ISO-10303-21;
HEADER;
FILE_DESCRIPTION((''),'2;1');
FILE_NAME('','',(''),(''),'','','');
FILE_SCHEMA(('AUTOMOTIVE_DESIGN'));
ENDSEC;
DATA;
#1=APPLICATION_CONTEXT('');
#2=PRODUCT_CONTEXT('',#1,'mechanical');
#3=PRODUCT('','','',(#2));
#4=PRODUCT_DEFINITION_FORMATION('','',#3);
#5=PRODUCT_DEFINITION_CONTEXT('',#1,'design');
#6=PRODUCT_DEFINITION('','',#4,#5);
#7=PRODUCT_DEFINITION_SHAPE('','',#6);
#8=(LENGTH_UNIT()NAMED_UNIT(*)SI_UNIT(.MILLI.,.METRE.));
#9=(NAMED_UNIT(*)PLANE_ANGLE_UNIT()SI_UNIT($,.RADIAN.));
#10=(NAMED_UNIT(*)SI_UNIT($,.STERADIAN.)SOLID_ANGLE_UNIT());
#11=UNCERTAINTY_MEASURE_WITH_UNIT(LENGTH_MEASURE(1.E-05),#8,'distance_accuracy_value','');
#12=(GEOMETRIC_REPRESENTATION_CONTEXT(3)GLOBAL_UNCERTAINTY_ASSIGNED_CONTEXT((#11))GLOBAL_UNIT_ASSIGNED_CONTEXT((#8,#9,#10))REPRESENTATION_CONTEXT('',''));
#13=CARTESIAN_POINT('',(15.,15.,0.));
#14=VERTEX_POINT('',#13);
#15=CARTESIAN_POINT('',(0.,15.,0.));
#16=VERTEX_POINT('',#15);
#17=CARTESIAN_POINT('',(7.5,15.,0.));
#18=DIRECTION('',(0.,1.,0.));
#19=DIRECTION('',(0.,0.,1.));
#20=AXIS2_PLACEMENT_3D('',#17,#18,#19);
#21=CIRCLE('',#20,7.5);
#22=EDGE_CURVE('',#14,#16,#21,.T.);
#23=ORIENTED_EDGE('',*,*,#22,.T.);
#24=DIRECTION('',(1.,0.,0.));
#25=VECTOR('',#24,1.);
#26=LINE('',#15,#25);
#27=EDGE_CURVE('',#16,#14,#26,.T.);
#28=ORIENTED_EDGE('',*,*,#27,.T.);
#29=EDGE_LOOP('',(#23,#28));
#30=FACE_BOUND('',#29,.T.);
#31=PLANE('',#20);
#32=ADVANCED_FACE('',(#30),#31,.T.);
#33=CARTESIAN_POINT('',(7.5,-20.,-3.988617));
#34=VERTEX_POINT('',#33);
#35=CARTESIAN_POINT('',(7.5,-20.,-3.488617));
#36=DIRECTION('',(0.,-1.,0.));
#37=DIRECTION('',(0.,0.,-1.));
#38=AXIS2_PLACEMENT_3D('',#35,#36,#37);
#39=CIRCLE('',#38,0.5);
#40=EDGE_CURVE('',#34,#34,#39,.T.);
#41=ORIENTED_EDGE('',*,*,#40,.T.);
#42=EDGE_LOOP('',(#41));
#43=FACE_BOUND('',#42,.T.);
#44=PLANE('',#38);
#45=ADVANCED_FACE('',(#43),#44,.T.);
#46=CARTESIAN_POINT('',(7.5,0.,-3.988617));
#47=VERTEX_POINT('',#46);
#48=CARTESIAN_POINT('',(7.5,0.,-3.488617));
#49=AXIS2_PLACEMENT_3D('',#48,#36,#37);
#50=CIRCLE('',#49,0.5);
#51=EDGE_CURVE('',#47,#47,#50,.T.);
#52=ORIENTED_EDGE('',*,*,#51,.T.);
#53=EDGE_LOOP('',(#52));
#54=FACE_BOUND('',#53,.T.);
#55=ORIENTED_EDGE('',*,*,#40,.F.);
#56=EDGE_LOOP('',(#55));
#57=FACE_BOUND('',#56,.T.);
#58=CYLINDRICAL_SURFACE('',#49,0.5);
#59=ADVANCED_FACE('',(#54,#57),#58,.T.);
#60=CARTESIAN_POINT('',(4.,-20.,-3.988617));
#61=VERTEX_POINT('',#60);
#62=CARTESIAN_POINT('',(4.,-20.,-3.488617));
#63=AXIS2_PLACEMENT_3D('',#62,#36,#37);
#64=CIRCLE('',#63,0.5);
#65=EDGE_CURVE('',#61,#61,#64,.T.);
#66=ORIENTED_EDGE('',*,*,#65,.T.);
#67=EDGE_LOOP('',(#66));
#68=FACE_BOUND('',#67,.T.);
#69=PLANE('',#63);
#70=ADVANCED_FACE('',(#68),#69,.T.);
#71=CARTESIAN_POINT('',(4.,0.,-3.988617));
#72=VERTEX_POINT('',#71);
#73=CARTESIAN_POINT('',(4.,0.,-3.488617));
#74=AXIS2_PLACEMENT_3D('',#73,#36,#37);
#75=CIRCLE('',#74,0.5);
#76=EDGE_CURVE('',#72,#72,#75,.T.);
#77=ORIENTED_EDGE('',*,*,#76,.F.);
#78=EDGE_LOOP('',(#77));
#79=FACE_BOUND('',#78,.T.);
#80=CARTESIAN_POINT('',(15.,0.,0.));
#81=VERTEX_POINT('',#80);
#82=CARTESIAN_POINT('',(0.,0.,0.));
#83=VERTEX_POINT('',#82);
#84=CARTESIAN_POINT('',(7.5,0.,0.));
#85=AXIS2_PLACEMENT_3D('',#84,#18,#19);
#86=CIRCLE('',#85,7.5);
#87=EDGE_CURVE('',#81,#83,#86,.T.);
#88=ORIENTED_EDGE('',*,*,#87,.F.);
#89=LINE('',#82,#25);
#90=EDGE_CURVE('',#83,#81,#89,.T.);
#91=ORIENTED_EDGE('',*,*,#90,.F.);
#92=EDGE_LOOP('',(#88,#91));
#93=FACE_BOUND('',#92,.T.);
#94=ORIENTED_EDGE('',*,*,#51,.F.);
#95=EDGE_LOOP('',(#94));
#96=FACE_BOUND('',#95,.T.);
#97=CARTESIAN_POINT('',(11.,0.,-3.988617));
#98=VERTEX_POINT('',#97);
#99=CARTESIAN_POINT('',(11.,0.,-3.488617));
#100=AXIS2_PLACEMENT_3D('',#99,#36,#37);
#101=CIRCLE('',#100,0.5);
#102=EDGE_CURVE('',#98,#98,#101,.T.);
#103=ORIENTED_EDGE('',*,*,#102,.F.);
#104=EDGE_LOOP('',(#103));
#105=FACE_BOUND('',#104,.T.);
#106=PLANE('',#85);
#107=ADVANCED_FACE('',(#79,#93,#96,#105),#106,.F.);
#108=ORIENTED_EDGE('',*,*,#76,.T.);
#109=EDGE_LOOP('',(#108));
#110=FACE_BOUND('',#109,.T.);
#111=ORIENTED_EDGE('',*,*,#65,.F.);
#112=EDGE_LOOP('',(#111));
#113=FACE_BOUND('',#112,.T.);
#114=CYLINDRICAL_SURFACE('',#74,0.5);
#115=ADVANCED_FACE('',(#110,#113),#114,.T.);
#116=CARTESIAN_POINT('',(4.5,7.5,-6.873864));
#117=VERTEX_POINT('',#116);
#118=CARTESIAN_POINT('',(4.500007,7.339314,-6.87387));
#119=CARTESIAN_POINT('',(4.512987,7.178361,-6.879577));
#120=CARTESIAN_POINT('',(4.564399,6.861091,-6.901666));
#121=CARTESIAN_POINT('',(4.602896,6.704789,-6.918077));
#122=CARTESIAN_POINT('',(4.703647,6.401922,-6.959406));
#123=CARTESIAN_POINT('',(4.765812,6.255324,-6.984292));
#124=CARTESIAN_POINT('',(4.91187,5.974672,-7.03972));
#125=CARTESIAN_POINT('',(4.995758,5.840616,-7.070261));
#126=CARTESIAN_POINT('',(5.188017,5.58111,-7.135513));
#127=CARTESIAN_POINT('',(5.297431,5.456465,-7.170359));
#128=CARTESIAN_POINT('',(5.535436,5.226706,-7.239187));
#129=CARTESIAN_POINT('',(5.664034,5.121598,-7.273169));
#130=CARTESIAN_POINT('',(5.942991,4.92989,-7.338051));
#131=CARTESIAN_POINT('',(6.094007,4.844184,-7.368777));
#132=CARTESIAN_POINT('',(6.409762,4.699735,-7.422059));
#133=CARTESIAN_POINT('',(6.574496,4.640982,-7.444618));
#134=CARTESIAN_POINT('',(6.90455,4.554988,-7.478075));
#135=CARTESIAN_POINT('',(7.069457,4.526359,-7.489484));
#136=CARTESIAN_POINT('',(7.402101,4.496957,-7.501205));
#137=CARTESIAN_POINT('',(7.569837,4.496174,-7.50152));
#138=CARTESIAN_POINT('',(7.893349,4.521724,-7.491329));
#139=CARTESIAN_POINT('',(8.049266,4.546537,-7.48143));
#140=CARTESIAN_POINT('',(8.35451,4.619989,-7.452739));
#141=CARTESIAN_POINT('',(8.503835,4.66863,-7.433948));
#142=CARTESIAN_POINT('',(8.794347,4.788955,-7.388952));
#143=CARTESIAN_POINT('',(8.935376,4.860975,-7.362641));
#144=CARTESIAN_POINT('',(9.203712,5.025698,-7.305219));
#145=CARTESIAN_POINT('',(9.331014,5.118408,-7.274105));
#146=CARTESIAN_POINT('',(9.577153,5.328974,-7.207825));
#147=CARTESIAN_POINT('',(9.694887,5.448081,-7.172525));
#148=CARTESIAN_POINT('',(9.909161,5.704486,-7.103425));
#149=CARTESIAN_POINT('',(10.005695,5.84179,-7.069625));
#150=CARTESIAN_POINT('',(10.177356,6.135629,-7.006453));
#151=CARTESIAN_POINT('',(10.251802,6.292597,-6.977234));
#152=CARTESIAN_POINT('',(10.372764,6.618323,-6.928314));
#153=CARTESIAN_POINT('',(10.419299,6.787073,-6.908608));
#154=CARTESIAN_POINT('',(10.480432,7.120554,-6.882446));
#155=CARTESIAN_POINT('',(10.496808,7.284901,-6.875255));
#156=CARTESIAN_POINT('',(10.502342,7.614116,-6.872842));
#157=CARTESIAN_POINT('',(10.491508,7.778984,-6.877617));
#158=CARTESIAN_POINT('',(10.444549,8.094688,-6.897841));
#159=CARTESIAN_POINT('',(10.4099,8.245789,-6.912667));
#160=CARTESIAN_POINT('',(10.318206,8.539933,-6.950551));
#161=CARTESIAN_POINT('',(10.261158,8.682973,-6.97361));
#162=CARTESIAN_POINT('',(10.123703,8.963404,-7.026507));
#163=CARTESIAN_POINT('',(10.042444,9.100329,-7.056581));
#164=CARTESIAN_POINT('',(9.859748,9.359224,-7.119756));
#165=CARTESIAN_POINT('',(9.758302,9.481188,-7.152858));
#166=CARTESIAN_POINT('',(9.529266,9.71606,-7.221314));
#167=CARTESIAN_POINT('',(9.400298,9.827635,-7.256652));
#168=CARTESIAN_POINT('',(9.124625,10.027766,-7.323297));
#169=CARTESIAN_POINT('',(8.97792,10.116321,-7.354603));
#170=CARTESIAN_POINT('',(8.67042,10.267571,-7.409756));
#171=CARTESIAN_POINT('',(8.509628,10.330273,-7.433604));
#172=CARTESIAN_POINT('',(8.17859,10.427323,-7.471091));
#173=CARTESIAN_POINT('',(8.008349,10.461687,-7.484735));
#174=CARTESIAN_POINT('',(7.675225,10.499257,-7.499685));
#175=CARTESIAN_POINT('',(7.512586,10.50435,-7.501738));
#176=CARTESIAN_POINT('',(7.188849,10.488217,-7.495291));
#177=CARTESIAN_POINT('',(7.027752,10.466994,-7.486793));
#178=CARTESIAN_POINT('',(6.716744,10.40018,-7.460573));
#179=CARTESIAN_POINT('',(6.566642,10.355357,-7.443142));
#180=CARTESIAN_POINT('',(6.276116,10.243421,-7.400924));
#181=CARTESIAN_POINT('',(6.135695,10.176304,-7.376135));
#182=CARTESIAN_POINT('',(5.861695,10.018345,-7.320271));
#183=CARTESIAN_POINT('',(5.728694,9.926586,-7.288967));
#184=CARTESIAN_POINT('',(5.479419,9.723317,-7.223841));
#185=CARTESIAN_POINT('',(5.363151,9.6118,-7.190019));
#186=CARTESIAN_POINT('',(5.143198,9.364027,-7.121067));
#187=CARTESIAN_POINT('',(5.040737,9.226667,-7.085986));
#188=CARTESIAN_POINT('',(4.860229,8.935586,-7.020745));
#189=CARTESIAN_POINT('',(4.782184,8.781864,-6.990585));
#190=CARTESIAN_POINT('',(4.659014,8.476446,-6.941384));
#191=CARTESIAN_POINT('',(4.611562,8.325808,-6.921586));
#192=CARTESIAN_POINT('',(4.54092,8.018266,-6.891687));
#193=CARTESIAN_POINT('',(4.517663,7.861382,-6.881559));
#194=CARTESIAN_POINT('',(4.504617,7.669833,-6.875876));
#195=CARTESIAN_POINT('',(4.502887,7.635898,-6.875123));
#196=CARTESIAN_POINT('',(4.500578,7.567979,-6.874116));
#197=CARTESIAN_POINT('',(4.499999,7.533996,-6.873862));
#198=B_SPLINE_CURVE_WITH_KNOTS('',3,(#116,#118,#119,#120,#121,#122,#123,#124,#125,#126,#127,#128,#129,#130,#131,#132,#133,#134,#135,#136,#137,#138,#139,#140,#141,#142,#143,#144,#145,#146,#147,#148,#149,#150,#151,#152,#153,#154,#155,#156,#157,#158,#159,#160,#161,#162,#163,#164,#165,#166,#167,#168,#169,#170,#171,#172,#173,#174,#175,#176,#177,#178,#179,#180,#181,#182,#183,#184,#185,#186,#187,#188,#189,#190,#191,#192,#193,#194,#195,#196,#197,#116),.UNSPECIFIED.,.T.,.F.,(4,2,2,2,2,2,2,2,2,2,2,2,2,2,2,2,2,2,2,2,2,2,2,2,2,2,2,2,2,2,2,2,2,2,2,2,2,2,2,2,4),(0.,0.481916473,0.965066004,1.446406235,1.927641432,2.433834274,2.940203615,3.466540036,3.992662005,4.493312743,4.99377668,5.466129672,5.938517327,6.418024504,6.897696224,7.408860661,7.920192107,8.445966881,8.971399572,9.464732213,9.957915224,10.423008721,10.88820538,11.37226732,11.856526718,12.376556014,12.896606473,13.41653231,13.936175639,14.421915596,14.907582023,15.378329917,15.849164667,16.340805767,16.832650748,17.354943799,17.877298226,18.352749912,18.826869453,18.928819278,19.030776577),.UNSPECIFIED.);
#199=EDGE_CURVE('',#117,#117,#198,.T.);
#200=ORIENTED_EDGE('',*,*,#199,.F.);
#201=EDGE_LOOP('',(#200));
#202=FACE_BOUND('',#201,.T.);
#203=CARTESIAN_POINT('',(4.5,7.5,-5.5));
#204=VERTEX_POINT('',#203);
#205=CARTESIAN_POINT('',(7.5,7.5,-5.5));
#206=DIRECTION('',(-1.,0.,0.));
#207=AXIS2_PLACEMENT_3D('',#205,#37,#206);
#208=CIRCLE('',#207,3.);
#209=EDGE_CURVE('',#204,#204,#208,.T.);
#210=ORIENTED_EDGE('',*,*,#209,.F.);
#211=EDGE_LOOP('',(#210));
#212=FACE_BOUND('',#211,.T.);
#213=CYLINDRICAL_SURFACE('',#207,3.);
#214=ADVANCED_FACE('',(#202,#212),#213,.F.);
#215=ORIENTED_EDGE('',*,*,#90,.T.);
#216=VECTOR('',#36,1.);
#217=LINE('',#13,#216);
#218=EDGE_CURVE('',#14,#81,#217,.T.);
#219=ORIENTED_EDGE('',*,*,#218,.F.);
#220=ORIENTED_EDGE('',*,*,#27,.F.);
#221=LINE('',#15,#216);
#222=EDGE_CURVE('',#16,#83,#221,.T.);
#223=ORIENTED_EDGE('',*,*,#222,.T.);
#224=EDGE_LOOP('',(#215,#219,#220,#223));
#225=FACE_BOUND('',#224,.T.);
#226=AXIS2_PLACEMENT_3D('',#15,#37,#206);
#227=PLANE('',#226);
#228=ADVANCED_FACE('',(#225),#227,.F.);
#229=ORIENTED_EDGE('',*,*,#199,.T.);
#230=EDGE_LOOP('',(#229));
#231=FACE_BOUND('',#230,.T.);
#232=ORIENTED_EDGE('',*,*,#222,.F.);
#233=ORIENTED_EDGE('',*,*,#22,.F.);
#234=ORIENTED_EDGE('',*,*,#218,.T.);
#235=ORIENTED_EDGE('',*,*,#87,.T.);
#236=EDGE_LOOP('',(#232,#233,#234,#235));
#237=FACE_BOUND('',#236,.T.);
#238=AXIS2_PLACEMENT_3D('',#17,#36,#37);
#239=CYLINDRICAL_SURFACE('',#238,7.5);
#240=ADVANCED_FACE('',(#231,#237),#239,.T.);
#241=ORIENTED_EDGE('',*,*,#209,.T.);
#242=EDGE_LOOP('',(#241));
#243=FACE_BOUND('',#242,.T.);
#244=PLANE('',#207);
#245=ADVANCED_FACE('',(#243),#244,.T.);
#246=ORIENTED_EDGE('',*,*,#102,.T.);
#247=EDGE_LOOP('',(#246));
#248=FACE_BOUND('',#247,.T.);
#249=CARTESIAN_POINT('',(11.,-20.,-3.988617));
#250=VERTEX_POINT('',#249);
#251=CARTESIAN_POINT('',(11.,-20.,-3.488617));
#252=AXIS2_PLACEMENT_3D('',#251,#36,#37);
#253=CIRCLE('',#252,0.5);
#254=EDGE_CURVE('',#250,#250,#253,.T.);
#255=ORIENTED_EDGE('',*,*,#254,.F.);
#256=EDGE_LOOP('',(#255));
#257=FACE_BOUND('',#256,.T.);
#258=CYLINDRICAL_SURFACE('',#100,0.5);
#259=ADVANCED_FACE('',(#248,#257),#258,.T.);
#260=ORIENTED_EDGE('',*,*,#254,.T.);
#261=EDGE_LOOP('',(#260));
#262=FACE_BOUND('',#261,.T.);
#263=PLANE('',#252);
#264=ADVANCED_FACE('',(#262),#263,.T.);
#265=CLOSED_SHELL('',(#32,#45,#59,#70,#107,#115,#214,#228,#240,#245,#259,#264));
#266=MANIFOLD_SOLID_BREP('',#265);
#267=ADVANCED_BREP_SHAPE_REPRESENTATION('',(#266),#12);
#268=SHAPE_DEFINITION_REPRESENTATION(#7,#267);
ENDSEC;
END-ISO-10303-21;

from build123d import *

# Parameters (mm, degrees)
Y_KSEKLIK_EKSTR_ZYON1_DEPTH = 15
IZIM4_R                     = 3
KES_EKSTR_ZYON1_DEPTH       = 2
IZIM8_R                     = 0.5
IZIM10_R                    = 0.5
IZIM11_R                    = 0.5


with BuildPart() as part:
    # Çizim1 → Yükseklik-Ekstrüzyon1 (new body)
    with BuildSketch(Plane(origin=(0, 0, 0), x_dir=(1, 0, 0), z_dir=(0, 1, 0))):
        with BuildLine():
            Line((0, 0), (15, 0))
            ThreePointArc((15, 0), (7.5, 7.5), (0, 0))
        make_face()
    extrude(amount=Y_KSEKLIK_EKSTR_ZYON1_DEPTH)

    # Çizim4 → Kes-Ekstrüzyon1 (cut)
    with BuildSketch(Plane(origin=(7.5, 15, -7.5), x_dir=(-1, 0, 0), z_dir=(0, 0, -1))):
        with Locations((0, -7.5)):
            Circle(IZIM4_R)
    extrude(amount=-KES_EKSTR_ZYON1_DEPTH, mode=Mode.SUBTRACT)

    # Süpür1: sweep along a curve in space
    with BuildLine() as s_p_r1_path:
        Line((11, 0, -3.488617215), (11, -20, -3.488617215))
    # Çizim8 → Süpür1 (sweep)
    with BuildSketch(Plane(origin=(4, -20, -3.488617215), x_dir=(-1, 0, 0), z_dir=(0, -1, 0))):
        with Locations((-7, 0)):
            Circle(IZIM8_R)
    sweep(path=s_p_r1_path.line)

    # Süpür2: sweep along a curve in space
    with BuildLine() as s_p_r2_path:
        Line((7.5, 0, -3.488617215), (7.5, -20, -3.488617215))
    # Çizim10 → Süpür2 (sweep)
    with BuildSketch(Plane(origin=(4, -20, -3.488617215), x_dir=(-1, 0, 0), z_dir=(0, -1, 0))):
        with Locations((-3.5, 0)):
            Circle(IZIM10_R)
    sweep(path=s_p_r2_path.line)

    # Süpür3: sweep along a curve in space
    with BuildLine() as s_p_r3_path:
        Line((4, 0, -3.488617215), (4, -20, -3.488617215))
    # Çizim11 → Süpür3 (sweep)
    with BuildSketch(Plane(origin=(4, -20, -3.488617215), x_dir=(-1, 0, 0), z_dir=(0, -1, 0))):
        Circle(IZIM11_R)
    sweep(path=s_p_r3_path.line)


solid = part.part
